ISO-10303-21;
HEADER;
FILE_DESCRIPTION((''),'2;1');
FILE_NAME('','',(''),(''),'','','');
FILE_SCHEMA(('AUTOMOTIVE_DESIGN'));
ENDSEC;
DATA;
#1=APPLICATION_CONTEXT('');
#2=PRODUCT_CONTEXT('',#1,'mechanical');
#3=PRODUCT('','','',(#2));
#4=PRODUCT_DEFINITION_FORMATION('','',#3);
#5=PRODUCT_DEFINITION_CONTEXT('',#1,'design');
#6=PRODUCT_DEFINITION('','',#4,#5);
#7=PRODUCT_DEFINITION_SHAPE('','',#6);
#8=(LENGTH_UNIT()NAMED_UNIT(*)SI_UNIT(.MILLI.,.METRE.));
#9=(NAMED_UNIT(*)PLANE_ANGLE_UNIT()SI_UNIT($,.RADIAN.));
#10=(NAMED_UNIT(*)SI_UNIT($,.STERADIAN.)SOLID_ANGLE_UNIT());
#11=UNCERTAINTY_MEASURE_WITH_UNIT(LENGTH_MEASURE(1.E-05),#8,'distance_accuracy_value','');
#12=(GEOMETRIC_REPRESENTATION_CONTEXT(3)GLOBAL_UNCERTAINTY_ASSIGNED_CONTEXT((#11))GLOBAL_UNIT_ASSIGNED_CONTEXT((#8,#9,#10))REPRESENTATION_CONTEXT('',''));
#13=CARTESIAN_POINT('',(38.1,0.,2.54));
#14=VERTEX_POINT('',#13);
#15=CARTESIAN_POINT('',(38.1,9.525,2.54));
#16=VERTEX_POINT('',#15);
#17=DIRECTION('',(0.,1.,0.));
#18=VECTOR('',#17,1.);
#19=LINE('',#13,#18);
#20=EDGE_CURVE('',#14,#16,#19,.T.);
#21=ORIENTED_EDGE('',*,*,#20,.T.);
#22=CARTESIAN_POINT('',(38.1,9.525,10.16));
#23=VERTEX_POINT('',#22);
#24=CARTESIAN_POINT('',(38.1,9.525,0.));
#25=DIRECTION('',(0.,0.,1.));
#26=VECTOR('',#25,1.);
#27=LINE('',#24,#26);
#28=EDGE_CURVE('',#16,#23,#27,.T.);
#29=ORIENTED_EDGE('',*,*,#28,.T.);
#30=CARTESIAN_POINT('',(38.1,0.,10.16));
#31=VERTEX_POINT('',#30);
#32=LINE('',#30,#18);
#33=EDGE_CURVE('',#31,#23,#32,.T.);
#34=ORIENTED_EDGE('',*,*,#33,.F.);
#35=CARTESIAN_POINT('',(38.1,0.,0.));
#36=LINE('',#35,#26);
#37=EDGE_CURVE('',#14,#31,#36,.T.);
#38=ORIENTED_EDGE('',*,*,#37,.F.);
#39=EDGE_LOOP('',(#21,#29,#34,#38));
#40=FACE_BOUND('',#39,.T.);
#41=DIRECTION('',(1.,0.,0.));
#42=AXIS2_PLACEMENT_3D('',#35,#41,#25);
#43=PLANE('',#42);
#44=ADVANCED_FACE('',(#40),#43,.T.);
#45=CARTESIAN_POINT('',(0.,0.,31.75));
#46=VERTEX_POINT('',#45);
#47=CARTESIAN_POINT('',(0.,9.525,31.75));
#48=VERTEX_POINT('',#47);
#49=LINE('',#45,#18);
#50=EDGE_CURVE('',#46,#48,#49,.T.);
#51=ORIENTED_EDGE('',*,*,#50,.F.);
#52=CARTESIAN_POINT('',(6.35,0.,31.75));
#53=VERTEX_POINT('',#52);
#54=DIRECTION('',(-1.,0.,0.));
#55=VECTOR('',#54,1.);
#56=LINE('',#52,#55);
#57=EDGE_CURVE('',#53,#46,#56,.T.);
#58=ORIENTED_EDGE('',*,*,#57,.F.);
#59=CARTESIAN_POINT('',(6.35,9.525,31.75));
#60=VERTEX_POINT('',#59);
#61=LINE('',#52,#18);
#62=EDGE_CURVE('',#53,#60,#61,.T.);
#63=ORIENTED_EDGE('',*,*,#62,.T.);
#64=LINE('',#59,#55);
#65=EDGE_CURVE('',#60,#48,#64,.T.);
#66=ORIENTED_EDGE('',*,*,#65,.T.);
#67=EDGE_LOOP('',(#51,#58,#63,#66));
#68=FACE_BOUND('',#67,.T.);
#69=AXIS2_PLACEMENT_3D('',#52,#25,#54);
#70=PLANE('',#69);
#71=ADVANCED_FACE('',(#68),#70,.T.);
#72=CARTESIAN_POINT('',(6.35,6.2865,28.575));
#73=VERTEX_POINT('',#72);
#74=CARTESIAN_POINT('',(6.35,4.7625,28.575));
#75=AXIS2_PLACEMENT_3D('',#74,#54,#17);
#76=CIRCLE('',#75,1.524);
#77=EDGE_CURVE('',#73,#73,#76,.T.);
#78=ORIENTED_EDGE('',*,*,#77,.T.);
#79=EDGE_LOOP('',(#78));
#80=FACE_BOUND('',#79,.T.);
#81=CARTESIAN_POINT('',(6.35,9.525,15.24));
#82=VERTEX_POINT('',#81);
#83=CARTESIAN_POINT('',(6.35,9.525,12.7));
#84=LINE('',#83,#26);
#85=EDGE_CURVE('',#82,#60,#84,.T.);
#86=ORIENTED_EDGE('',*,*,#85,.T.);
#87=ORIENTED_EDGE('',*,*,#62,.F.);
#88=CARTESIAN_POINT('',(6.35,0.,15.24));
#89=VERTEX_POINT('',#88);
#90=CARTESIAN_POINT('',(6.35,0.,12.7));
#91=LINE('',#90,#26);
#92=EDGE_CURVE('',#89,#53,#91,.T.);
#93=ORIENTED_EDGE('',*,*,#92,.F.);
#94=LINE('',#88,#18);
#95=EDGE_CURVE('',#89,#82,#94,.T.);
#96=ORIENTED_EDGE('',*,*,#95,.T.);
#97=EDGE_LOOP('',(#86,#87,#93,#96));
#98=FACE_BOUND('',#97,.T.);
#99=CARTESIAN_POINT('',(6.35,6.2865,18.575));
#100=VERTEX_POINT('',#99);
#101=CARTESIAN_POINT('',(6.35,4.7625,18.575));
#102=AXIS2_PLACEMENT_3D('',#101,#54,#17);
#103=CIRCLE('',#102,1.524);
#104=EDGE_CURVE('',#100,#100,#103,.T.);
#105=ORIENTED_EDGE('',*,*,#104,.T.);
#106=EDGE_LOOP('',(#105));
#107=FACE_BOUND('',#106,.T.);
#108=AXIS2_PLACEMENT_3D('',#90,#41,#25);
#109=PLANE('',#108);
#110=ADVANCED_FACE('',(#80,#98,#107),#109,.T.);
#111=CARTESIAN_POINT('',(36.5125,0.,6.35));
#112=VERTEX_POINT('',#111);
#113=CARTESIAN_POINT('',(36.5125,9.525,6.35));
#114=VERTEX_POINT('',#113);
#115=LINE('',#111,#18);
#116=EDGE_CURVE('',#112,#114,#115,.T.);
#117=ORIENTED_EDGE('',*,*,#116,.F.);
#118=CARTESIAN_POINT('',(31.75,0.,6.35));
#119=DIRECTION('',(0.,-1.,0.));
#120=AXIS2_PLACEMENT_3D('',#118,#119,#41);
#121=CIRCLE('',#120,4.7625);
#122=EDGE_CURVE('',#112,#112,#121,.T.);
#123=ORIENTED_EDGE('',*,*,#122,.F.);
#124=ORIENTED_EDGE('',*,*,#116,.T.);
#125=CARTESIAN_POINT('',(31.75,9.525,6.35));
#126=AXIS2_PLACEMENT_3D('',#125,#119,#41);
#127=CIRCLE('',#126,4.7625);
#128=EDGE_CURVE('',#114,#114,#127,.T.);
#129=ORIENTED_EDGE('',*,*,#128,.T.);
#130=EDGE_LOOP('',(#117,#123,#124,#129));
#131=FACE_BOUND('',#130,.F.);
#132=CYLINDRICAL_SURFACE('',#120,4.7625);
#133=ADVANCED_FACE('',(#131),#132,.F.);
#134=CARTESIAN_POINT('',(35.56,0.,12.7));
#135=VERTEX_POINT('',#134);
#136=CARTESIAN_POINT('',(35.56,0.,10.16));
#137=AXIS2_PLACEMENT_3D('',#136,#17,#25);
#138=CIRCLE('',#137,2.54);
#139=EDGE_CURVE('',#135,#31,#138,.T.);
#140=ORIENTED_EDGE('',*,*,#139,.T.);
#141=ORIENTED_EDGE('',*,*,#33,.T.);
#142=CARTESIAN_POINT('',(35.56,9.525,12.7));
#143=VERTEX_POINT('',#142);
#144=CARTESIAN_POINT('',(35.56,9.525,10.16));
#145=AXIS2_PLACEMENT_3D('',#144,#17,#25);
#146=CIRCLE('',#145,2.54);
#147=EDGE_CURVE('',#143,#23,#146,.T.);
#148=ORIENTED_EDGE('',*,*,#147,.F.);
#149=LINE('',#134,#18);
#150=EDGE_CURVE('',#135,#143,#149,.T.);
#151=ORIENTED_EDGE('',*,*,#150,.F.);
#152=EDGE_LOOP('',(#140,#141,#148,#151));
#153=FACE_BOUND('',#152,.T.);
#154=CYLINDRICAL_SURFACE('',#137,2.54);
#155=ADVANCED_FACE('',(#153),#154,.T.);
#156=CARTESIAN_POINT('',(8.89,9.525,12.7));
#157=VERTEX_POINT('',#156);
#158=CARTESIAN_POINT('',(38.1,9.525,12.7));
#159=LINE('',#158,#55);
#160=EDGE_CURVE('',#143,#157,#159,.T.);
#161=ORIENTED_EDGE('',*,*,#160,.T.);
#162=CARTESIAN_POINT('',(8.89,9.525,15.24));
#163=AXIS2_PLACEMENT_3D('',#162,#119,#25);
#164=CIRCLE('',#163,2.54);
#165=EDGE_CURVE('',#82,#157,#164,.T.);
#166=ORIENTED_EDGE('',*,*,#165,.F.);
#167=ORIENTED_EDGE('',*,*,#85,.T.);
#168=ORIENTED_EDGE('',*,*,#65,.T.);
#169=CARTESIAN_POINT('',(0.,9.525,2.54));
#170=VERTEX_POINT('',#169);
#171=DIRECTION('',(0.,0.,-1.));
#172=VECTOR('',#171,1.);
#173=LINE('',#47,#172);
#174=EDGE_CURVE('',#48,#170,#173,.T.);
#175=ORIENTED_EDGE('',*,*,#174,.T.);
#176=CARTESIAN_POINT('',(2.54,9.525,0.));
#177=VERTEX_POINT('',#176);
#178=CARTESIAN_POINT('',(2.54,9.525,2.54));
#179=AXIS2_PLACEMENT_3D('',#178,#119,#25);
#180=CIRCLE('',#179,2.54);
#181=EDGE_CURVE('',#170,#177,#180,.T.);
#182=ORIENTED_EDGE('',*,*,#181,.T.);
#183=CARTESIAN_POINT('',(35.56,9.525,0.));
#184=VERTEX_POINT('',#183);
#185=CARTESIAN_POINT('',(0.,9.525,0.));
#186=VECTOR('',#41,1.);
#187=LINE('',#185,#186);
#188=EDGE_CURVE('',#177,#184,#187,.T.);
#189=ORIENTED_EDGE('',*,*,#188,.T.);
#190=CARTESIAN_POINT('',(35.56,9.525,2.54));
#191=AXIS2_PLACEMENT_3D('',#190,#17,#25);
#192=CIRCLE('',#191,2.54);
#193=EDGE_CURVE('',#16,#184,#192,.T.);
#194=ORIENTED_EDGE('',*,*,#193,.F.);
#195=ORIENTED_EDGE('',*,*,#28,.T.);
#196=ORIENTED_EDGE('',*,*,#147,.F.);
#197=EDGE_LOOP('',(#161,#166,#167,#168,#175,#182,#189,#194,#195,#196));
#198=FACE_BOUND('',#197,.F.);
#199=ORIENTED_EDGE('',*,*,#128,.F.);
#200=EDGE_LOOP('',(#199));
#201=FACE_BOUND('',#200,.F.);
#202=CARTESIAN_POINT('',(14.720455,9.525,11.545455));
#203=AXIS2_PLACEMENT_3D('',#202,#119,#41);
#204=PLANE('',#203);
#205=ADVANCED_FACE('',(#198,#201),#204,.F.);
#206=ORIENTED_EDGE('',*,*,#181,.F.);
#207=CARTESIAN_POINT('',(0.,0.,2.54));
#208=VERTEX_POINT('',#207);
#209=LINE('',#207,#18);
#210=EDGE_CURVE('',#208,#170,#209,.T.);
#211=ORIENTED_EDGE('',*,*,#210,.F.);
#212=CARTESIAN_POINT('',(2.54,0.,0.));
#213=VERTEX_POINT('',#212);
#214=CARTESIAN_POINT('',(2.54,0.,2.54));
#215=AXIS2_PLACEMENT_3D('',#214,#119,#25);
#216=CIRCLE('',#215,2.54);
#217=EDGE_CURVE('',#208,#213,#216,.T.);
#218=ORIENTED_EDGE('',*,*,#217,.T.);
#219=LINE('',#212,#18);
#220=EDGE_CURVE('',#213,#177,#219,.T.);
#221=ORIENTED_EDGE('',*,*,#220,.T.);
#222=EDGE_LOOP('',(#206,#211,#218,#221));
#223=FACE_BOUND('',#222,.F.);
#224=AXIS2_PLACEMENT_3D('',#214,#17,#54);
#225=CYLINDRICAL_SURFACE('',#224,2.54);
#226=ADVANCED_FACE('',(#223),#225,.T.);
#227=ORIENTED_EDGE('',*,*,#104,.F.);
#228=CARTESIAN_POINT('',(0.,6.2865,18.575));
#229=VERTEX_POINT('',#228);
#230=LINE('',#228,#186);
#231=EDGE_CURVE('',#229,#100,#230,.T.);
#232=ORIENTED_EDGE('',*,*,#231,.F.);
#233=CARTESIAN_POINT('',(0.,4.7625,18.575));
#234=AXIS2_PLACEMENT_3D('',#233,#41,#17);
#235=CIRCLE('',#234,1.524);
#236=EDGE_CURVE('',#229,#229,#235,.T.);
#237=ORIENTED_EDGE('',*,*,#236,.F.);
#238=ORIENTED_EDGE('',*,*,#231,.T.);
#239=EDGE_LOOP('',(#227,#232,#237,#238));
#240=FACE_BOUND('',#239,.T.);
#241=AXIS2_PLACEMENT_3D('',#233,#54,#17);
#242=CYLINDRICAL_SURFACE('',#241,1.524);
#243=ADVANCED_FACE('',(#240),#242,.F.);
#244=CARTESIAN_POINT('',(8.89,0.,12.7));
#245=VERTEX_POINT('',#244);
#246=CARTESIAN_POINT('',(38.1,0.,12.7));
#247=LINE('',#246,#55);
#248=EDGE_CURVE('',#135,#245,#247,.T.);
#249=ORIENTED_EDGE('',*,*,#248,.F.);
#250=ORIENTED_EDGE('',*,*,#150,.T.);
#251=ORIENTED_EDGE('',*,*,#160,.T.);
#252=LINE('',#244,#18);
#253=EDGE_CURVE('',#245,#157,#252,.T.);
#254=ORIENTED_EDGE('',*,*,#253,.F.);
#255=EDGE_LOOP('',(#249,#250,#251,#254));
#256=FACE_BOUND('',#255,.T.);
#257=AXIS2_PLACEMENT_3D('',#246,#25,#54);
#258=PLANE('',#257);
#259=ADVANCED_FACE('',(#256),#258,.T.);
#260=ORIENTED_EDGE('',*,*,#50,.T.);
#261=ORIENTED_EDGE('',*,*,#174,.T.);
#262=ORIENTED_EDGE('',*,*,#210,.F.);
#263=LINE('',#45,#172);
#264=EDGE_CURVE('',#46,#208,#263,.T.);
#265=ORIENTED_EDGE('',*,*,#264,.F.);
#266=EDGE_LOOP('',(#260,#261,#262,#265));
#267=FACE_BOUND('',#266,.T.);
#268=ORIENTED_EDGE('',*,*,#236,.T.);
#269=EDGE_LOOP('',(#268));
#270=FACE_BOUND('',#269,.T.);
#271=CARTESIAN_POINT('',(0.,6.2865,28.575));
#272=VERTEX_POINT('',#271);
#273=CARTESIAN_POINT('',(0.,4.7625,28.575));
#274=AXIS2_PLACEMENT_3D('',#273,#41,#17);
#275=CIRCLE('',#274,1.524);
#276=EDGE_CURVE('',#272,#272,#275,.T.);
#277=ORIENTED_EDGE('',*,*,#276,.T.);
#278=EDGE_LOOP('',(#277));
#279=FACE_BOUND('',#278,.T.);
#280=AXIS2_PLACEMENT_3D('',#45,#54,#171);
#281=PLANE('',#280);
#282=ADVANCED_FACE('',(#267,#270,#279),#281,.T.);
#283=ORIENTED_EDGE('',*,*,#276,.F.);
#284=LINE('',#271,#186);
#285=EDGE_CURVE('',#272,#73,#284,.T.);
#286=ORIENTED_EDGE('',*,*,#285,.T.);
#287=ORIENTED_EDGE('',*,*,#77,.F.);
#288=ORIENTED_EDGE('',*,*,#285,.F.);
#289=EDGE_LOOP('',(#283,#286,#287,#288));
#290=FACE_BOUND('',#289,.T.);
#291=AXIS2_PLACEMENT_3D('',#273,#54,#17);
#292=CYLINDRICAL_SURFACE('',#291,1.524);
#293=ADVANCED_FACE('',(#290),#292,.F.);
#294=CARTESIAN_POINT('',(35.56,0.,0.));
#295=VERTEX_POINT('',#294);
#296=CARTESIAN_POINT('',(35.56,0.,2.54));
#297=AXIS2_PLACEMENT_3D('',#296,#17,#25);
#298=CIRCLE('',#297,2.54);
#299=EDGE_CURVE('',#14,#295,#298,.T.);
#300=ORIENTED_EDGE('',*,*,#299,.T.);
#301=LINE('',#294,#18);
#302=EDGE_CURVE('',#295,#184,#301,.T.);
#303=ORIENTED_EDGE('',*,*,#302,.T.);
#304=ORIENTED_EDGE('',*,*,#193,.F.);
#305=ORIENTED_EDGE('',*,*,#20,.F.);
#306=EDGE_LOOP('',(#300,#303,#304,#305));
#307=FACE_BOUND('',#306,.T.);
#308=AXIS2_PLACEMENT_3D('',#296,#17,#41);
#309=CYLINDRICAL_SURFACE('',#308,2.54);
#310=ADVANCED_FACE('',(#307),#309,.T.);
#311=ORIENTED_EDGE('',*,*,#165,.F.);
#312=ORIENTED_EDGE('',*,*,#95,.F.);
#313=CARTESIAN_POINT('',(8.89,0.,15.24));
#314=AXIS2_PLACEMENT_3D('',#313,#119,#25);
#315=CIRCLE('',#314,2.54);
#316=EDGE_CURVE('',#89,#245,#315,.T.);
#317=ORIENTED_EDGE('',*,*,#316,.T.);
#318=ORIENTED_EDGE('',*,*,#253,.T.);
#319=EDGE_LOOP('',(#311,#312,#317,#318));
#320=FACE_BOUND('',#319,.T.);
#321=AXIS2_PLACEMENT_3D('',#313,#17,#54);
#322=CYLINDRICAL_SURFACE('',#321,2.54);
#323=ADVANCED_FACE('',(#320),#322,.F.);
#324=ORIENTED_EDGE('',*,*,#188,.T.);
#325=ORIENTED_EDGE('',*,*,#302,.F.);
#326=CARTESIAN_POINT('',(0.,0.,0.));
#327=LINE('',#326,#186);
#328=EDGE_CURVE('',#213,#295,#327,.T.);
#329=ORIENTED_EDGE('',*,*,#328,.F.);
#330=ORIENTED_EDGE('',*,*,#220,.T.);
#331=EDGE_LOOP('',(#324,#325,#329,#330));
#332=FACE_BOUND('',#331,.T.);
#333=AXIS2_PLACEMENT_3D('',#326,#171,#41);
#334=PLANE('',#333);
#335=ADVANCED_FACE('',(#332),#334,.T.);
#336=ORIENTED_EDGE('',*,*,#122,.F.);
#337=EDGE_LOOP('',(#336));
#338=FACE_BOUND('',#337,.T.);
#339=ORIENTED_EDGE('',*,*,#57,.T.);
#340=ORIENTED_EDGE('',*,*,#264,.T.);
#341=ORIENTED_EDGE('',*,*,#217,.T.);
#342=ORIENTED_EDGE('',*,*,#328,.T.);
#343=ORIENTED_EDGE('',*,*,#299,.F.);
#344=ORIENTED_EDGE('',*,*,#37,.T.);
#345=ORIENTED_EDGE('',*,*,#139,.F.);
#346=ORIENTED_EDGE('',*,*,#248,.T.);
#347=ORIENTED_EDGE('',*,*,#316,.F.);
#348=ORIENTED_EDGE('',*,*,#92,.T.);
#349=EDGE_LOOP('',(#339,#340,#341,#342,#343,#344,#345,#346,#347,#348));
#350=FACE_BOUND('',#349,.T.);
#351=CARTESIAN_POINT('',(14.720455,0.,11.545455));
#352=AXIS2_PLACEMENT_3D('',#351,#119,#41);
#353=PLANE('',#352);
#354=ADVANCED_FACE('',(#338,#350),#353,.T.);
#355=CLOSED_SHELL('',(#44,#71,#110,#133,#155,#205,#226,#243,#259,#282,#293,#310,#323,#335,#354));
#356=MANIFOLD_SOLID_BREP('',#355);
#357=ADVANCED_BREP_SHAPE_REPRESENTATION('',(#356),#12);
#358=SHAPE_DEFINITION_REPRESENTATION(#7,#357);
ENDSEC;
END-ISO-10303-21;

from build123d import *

# Parameters (mm, degrees)
F1_DEPTH = 9.525
F2_R     = 4.7625
F3_DEPTH = 9.526
F4_R     = 1.524
F5_DEPTH = 25.4
F6_R     = 2.54


with BuildPart() as f1:
    # F0 (on Front) → F1 (new body)
    with BuildSketch(Plane.XZ):
        Polygon((6.35, 12.7), (6.35, 31.75), (0, 31.75), (0, 0), (38.1, 0), (38.1, 12.7), align=None)
    extrude(amount=-F1_DEPTH)

    # F2 (on Front) → F3 (cut, through all)
    with BuildSketch(Plane.XZ):
        with Locations((31.75, 6.35)):
            Circle(F2_R)
    extrude(amount=-F3_DEPTH, mode=Mode.SUBTRACT)

    # F4 (on Right) → F5 (cut)
    with BuildSketch(Plane.YZ):
        with Locations((4.7625, 28.575)):
            Circle(F4_R)
        with Locations((4.7625, 18.575)):
            Circle(F4_R)
    extrude(amount=F5_DEPTH, mode=Mode.SUBTRACT)

    # F6
    f6_edges = [f1.edges().sort_by_distance(p)[0] for p in [
        (0, 4.7625, 0),
        (38.1, 4.7625, 0),
        (38.1, 4.7625, 12.7),
        (6.35, 4.7625, 12.7),
    ]]
    fillet(f6_edges, radius=F6_R)


solid = f1.part
